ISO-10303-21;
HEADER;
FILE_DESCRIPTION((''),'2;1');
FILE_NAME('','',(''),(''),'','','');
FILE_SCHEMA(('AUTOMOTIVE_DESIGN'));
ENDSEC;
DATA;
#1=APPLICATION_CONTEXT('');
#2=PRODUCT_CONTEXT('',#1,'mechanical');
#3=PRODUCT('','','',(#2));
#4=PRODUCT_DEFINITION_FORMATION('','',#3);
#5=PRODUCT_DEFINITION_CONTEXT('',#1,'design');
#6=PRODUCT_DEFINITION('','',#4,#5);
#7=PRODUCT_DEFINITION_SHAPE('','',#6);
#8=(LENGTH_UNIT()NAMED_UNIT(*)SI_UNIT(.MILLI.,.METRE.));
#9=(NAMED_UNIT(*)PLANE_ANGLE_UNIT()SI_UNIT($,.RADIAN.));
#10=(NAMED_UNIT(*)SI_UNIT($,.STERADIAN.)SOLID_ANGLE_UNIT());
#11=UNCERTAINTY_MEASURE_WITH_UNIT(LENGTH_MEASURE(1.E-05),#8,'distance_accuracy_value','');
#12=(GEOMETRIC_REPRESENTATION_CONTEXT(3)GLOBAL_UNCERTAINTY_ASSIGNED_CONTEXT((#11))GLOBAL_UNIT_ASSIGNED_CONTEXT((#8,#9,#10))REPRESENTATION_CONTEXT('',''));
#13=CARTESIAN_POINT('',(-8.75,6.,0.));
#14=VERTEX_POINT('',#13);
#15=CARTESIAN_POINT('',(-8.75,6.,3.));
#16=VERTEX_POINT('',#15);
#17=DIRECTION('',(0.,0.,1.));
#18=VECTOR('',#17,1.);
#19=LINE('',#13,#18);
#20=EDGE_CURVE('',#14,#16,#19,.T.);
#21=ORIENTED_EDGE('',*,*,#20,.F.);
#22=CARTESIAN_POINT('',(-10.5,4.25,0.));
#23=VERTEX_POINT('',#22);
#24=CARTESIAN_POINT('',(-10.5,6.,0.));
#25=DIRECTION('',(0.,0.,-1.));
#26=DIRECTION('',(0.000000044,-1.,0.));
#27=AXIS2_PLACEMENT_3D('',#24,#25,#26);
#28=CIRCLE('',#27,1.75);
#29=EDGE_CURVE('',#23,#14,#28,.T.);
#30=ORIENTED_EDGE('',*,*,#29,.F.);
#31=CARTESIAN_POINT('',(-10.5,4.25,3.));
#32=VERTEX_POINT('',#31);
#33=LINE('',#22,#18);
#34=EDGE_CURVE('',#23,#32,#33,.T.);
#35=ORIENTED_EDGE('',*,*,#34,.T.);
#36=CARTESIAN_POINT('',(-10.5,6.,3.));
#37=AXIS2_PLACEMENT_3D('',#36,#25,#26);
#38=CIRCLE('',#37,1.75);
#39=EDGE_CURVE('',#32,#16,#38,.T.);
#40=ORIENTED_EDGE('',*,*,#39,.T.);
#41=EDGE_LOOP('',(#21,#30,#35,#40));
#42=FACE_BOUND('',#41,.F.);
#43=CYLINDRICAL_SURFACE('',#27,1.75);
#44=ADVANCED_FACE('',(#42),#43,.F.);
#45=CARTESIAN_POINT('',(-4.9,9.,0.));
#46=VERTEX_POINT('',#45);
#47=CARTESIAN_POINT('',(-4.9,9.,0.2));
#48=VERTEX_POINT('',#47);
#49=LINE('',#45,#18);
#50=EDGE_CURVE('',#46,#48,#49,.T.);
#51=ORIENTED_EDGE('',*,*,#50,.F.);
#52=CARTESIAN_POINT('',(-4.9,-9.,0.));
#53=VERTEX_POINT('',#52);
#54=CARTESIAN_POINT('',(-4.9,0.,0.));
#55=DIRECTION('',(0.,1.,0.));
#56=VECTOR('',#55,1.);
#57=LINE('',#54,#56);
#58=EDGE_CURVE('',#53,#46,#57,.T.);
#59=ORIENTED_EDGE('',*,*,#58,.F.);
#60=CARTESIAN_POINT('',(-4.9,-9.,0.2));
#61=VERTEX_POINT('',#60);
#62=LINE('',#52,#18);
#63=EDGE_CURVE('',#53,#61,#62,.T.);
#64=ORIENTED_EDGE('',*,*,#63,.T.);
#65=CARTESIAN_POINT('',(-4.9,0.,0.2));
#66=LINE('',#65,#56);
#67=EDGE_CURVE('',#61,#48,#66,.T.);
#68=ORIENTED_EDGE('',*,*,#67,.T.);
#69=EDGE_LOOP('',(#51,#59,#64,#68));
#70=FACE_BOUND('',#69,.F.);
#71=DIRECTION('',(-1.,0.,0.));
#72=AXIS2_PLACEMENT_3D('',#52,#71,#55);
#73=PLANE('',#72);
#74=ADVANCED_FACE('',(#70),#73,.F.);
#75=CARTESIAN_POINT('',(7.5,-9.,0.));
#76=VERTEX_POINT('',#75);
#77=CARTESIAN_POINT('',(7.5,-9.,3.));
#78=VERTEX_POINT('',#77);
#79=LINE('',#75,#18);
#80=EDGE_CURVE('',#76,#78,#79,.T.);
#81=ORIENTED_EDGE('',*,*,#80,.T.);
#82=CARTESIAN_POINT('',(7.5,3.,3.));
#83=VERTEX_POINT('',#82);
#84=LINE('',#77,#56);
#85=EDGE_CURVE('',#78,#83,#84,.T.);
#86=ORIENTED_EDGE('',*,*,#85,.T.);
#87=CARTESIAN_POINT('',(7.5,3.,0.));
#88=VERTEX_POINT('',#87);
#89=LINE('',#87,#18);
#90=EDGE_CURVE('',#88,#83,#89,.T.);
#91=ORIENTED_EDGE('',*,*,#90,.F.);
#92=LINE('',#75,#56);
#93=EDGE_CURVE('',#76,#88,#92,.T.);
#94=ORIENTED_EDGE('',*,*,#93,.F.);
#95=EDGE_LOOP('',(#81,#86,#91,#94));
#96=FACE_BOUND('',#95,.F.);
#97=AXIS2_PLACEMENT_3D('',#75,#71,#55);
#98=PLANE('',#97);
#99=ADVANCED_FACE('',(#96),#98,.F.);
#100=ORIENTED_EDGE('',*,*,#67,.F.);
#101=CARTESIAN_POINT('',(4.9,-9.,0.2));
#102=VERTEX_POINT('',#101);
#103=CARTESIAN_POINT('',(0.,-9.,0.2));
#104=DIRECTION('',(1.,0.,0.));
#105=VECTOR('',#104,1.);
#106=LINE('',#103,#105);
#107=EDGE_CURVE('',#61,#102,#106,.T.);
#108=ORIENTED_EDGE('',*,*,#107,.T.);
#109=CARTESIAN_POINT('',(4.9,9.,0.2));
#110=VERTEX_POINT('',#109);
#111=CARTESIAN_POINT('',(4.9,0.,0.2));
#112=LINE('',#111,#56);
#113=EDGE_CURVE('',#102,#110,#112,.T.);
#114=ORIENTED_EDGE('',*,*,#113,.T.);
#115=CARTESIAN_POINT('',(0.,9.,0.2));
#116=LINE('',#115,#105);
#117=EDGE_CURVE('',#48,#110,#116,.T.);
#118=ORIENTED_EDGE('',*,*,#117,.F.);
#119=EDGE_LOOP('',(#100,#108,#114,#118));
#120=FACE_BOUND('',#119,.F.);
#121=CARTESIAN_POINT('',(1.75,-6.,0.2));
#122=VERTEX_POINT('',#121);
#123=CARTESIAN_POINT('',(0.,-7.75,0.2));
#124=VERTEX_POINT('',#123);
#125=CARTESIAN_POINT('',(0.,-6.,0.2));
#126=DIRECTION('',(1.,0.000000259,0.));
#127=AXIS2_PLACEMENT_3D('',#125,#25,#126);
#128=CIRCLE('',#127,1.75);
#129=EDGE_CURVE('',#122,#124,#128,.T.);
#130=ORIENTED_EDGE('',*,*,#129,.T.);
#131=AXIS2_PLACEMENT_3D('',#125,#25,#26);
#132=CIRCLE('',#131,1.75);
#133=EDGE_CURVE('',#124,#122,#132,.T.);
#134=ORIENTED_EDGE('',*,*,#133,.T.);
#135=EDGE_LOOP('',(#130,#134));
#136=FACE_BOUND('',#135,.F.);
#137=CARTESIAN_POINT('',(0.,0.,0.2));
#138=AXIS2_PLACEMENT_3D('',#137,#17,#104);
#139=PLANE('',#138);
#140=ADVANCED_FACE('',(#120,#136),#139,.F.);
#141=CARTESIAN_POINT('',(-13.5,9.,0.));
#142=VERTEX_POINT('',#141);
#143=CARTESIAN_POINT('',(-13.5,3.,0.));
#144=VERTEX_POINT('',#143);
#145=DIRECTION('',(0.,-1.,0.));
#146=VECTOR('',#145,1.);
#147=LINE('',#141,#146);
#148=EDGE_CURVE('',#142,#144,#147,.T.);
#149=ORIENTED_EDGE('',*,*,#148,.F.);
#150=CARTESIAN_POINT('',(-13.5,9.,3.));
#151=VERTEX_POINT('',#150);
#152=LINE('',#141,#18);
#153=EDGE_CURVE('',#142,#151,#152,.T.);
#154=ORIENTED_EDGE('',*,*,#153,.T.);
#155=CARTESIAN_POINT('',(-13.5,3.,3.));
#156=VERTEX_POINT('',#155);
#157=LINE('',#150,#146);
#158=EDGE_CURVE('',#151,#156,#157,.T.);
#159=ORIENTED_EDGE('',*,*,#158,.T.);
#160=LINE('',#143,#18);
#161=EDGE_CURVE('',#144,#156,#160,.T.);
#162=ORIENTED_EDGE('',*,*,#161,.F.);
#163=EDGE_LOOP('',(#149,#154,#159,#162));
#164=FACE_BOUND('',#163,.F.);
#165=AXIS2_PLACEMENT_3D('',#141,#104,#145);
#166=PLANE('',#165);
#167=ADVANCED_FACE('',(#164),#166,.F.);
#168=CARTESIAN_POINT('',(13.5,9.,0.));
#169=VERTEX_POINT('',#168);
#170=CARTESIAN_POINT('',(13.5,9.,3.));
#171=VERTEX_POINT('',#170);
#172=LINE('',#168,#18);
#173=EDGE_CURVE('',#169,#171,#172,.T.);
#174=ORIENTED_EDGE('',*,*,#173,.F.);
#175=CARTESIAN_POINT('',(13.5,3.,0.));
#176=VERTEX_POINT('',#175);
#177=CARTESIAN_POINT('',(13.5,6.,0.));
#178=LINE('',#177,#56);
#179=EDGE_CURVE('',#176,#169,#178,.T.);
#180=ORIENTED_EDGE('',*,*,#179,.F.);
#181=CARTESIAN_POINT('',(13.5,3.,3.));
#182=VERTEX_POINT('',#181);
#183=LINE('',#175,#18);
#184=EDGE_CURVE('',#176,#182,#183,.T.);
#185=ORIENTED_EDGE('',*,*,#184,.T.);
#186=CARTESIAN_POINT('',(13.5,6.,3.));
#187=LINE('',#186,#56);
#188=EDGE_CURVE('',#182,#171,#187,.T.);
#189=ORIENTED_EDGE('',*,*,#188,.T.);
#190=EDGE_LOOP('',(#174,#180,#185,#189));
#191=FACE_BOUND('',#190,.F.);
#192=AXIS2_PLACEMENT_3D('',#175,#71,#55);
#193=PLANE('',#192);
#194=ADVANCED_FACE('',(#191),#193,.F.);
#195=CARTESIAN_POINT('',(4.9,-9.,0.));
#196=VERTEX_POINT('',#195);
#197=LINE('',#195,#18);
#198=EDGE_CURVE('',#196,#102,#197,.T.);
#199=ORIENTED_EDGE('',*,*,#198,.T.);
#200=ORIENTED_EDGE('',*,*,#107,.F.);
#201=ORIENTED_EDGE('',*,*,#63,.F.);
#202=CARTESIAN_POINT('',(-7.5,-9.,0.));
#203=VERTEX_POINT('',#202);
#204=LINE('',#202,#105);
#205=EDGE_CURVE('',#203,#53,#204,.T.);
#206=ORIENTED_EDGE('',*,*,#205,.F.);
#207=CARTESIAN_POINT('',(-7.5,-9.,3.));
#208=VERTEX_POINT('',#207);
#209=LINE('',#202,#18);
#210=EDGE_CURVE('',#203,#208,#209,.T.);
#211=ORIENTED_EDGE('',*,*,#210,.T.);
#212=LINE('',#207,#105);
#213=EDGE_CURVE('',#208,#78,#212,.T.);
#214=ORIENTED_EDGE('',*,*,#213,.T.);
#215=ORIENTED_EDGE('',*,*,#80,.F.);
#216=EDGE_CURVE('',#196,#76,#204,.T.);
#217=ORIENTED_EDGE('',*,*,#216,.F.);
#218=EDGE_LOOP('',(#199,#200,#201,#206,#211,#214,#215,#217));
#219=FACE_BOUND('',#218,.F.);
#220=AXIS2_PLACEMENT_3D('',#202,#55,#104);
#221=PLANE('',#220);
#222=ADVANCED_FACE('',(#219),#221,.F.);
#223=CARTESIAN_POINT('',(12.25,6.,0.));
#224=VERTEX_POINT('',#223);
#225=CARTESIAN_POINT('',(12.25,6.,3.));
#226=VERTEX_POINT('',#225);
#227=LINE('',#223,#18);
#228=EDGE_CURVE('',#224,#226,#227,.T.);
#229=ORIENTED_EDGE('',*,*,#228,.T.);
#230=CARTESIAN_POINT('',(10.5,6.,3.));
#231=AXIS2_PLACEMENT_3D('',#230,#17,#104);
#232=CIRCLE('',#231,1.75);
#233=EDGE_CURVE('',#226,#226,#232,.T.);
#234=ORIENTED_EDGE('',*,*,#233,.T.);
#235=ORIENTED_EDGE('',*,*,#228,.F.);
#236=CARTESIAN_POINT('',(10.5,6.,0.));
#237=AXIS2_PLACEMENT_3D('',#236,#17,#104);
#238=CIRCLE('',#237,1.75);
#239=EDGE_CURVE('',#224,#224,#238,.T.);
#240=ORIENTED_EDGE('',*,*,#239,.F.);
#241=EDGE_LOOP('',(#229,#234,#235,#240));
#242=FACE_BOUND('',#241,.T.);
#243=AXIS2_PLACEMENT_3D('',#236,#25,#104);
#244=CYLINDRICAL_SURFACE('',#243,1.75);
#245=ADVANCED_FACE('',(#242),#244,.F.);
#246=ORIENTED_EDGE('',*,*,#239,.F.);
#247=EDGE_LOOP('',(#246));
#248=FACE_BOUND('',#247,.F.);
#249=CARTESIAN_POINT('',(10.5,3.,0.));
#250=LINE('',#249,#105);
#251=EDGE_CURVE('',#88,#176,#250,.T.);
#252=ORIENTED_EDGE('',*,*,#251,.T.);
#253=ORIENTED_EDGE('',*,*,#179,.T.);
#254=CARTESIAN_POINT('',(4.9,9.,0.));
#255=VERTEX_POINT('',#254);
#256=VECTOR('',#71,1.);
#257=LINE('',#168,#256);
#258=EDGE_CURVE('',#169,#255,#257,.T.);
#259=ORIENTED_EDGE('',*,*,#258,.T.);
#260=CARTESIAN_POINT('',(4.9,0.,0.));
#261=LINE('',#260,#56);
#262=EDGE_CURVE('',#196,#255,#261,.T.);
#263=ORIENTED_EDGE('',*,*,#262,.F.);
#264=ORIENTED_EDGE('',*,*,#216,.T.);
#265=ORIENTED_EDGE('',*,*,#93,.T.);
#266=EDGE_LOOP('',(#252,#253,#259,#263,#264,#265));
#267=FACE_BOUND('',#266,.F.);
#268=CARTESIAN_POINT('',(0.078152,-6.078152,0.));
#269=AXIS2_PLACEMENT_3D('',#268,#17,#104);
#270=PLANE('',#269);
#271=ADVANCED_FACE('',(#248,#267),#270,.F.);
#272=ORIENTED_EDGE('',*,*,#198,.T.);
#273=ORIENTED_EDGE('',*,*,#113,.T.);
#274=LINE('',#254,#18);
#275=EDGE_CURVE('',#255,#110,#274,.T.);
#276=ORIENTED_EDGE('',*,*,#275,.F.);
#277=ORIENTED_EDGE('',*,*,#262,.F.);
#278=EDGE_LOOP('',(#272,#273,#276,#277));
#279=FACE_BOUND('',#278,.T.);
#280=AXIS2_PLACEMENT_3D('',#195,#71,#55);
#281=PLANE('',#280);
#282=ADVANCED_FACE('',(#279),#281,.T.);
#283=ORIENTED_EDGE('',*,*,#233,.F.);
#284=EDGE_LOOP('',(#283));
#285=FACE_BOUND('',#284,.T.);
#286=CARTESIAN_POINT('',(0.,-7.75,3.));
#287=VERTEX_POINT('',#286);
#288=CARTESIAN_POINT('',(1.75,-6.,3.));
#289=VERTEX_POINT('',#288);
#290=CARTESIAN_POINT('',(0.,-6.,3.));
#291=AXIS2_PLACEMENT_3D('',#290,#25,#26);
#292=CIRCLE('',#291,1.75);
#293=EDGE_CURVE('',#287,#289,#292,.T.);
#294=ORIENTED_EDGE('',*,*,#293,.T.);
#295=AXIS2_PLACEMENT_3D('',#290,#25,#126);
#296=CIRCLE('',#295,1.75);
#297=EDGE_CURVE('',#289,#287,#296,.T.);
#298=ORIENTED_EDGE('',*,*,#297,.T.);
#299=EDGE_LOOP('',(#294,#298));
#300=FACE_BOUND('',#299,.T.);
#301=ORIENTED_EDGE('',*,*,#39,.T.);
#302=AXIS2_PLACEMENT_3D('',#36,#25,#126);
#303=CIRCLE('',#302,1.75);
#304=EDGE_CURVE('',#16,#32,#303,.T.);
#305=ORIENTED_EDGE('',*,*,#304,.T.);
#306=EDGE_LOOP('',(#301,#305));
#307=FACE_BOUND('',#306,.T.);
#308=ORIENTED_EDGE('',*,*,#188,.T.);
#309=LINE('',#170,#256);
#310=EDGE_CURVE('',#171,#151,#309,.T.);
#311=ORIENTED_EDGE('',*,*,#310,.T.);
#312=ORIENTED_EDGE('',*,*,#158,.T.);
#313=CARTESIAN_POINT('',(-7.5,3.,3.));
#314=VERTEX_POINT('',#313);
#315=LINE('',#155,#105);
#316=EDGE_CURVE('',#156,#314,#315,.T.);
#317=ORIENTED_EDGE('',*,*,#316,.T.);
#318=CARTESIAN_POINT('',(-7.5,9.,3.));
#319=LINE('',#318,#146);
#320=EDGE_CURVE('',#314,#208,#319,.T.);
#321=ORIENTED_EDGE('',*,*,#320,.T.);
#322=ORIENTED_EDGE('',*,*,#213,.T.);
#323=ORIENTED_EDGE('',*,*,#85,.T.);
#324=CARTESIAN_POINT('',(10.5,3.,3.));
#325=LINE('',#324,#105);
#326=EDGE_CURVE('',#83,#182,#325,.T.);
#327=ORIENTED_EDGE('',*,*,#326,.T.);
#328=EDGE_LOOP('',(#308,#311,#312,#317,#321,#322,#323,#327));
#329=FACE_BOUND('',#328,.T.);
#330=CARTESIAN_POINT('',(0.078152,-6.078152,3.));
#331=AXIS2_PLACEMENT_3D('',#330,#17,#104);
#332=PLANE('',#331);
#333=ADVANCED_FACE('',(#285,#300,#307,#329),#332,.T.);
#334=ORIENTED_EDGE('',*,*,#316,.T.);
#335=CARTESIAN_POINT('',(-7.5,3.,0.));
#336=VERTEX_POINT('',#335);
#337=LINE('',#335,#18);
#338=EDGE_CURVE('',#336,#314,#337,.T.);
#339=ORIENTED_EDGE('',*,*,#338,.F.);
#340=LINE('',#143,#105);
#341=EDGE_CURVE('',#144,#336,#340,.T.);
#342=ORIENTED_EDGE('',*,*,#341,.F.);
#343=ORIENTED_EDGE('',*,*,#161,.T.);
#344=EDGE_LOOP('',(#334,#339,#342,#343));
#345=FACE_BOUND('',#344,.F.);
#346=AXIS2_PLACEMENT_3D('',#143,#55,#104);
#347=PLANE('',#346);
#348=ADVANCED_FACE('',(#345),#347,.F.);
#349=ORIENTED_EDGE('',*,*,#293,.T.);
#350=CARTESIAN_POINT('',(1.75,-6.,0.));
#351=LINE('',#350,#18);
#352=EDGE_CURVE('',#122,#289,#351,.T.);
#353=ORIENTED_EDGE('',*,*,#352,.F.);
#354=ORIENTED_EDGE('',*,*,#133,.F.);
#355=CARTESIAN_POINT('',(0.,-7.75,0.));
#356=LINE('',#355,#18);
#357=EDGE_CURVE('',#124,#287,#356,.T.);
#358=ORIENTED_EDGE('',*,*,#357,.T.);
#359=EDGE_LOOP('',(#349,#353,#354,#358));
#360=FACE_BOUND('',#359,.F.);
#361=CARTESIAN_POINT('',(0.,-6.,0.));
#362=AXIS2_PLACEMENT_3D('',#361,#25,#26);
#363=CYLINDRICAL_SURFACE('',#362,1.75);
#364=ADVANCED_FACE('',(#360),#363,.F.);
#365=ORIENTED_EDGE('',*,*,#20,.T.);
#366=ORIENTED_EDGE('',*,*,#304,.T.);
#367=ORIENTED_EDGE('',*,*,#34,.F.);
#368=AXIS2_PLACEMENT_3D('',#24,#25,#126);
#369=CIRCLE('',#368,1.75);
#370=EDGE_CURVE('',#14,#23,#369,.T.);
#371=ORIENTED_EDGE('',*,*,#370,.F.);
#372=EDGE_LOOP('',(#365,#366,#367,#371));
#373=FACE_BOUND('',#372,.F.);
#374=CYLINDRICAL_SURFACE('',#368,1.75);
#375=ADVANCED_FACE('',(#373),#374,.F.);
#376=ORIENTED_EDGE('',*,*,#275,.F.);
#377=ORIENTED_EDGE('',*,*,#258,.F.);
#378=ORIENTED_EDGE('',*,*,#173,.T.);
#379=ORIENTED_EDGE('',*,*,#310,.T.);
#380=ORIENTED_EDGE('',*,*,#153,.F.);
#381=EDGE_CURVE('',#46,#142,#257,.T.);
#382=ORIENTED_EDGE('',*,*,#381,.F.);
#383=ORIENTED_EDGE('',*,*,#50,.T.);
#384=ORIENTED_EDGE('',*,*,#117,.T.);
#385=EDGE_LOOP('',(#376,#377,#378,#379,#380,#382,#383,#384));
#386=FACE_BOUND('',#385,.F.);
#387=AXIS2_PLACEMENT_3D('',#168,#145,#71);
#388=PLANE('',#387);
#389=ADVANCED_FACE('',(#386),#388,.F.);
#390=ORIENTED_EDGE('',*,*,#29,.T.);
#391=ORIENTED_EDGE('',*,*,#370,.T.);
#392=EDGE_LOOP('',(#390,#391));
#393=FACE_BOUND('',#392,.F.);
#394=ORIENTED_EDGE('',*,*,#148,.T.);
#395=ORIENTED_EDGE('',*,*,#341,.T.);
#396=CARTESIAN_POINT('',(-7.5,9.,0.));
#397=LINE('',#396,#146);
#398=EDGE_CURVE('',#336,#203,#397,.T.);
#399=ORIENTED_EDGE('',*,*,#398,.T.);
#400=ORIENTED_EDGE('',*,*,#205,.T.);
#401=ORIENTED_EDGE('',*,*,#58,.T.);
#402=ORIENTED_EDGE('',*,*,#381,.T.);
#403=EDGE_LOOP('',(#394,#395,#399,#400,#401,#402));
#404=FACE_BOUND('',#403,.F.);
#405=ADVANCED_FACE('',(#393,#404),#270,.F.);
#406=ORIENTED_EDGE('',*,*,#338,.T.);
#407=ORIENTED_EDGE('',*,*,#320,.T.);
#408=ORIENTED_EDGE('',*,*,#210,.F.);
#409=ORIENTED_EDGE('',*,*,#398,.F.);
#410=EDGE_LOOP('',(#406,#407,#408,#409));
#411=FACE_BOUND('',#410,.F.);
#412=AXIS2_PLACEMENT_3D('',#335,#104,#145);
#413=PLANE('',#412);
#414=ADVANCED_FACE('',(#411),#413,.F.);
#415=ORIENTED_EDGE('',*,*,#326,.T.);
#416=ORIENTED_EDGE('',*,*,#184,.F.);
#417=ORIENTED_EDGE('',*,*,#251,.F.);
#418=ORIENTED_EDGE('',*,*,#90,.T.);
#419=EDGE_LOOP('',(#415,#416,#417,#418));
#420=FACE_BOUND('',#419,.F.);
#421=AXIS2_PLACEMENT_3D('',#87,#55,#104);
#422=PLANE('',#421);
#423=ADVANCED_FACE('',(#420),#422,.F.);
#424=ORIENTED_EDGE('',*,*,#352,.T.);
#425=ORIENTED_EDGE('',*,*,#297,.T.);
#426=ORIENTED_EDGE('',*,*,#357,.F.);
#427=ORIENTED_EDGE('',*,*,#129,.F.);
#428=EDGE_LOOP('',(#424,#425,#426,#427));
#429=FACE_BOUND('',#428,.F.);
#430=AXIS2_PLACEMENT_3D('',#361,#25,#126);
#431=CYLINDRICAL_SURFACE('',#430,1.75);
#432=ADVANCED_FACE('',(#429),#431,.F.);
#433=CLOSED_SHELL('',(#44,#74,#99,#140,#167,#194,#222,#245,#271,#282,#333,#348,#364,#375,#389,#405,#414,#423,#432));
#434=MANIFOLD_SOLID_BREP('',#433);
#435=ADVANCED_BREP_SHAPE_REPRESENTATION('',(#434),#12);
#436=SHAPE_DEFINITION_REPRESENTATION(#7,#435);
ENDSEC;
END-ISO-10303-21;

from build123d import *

# Parameters (mm, degrees)
F0_W     = 6
F0_H     = 6
F0_R     = 1.75
F2_DEPTH = 3
F1_W     = 9.8
F1_H     = 18
F3_DEPTH = 0.2


with BuildPart() as f2:
    # F0 (on Top) → F2 (new body)
    with BuildSketch(Plane.XY):
        with BuildLine():
            ThreePointArc((1.75, -6), (-1.237437, -4.762563), (0, -7.75))
            ThreePointArc((0, -7.75), (1.237437, -7.237437), (1.75, -6))
        make_face()
        Polygon((7.5, 9), (-7.5, 9), (-7.5, 3), (-7.5, -9), (0, -9), (7.5, -9), (7.5, 3), align=None)
        with BuildLine():
            ThreePointArc((1.75, -6), (1.237437, -7.237437), (0, -7.75))
            ThreePointArc((0, -7.75), (-1.237437, -4.762563), (1.75, -6))
        make_face(mode=Mode.SUBTRACT)
        with BuildLine():
            ThreePointArc((-8.75, 6), (-11.737437, 7.237437), (-10.5, 4.25))
            ThreePointArc((-10.5, 4.25), (-9.262563, 4.762563), (-8.75, 6))
        make_face()
        Polygon((-7.5, 3), (-7.5, 9), (-13.5, 9), (-13.5, 3), (-10.5, 3), align=None)
        with BuildLine():
            ThreePointArc((-8.75, 6), (-9.262563, 4.762563), (-10.5, 4.25))
            ThreePointArc((-10.5, 4.25), (-11.737437, 7.237437), (-8.75, 6))
        make_face(mode=Mode.SUBTRACT)
        with Locations((10.5, 6)):
            Rectangle(F0_W, F0_H)
        with Locations((10.5, 6)):
            Circle(F0_R, mode=Mode.SUBTRACT)
    extrude(amount=F2_DEPTH)

    # F1 (on face) → F3 (cut)
    with BuildSketch(Plane.XY):
        Rectangle(F1_W, F1_H)
    extrude(amount=F3_DEPTH, mode=Mode.SUBTRACT)


solid = f2.part
